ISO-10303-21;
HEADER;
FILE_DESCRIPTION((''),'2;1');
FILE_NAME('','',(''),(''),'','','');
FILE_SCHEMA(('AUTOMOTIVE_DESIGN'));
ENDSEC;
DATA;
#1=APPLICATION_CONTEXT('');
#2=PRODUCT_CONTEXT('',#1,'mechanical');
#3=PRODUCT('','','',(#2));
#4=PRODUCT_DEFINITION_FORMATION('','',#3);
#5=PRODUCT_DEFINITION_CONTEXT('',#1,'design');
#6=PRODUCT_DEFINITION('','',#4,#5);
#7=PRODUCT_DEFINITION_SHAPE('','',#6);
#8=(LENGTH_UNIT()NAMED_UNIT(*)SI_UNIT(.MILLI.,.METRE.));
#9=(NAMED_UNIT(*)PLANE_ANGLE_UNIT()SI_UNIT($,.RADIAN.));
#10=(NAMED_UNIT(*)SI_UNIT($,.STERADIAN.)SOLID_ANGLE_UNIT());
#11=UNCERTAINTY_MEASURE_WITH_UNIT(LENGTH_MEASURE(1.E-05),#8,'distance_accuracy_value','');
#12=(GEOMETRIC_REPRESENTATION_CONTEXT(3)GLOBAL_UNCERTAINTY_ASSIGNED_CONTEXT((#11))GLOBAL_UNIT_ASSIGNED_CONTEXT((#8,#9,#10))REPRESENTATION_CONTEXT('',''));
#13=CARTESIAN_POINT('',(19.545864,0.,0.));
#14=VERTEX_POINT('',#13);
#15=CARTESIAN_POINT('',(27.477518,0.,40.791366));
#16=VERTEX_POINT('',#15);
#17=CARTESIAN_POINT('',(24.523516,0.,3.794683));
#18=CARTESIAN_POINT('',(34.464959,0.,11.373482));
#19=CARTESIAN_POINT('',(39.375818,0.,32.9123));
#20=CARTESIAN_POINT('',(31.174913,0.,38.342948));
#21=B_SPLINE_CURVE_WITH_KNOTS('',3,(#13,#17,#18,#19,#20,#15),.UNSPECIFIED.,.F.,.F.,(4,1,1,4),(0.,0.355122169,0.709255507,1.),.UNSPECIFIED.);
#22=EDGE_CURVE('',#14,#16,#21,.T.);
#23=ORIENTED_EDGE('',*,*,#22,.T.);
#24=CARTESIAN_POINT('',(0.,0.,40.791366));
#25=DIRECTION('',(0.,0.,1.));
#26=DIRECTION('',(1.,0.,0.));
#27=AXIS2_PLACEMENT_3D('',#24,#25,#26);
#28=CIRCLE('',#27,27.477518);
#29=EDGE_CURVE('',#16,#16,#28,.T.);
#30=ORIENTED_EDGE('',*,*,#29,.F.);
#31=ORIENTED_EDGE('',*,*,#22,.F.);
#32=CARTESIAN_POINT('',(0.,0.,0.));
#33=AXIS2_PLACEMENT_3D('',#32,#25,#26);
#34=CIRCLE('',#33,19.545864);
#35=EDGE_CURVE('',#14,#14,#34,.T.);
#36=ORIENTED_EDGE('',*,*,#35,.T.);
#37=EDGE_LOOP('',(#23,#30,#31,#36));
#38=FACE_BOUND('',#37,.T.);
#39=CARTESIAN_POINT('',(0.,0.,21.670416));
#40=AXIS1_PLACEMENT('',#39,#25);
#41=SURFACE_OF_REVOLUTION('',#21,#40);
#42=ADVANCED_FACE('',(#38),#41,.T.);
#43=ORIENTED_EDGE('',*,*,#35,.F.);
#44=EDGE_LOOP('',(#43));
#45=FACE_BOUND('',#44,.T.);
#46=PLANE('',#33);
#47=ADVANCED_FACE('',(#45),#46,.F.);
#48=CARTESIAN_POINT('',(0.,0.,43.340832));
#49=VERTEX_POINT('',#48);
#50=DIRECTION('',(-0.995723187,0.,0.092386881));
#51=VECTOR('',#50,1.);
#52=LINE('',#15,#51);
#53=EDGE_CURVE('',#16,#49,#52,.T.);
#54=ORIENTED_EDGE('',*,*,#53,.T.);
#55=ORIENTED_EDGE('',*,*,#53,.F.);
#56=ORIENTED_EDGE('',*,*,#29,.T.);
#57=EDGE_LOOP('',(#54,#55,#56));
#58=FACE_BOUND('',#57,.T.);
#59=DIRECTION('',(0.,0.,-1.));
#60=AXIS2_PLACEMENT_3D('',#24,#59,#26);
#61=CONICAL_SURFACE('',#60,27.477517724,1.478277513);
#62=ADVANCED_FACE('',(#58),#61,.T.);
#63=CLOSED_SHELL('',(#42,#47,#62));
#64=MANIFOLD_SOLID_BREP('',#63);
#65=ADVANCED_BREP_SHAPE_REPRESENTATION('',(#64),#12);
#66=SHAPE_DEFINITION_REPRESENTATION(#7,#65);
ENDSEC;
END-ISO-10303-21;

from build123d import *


with BuildPart() as f1:
    # F0 (on Front) → F1 (revolve)
    with BuildSketch(Plane.XZ):
        with BuildLine():
            Line((0, 43.340831995), (0, 0))
            Line((0, 0), (19.5458643138, 0))
            add(Edge.make_bspline(
                [(19.5458643138, 0), (24.5235159111, 3.7946827273), (34.4649589121, 11.3734819467), (39.3758178513, 32.9122999431), (31.1749126586, 38.3429476065), (27.477517724, 40.7913662493)],
                knots=[0, 0, 0, 0, 0.3551221695, 0.7092555068, 1, 1, 1, 1], degree=3))
            Line((27.477517724, 40.7913662493), (0, 43.340831995))
        make_face()
    revolve(axis=Axis((0, 0, 21.6704159975), (0, 0, 1)))


solid = f1.part
